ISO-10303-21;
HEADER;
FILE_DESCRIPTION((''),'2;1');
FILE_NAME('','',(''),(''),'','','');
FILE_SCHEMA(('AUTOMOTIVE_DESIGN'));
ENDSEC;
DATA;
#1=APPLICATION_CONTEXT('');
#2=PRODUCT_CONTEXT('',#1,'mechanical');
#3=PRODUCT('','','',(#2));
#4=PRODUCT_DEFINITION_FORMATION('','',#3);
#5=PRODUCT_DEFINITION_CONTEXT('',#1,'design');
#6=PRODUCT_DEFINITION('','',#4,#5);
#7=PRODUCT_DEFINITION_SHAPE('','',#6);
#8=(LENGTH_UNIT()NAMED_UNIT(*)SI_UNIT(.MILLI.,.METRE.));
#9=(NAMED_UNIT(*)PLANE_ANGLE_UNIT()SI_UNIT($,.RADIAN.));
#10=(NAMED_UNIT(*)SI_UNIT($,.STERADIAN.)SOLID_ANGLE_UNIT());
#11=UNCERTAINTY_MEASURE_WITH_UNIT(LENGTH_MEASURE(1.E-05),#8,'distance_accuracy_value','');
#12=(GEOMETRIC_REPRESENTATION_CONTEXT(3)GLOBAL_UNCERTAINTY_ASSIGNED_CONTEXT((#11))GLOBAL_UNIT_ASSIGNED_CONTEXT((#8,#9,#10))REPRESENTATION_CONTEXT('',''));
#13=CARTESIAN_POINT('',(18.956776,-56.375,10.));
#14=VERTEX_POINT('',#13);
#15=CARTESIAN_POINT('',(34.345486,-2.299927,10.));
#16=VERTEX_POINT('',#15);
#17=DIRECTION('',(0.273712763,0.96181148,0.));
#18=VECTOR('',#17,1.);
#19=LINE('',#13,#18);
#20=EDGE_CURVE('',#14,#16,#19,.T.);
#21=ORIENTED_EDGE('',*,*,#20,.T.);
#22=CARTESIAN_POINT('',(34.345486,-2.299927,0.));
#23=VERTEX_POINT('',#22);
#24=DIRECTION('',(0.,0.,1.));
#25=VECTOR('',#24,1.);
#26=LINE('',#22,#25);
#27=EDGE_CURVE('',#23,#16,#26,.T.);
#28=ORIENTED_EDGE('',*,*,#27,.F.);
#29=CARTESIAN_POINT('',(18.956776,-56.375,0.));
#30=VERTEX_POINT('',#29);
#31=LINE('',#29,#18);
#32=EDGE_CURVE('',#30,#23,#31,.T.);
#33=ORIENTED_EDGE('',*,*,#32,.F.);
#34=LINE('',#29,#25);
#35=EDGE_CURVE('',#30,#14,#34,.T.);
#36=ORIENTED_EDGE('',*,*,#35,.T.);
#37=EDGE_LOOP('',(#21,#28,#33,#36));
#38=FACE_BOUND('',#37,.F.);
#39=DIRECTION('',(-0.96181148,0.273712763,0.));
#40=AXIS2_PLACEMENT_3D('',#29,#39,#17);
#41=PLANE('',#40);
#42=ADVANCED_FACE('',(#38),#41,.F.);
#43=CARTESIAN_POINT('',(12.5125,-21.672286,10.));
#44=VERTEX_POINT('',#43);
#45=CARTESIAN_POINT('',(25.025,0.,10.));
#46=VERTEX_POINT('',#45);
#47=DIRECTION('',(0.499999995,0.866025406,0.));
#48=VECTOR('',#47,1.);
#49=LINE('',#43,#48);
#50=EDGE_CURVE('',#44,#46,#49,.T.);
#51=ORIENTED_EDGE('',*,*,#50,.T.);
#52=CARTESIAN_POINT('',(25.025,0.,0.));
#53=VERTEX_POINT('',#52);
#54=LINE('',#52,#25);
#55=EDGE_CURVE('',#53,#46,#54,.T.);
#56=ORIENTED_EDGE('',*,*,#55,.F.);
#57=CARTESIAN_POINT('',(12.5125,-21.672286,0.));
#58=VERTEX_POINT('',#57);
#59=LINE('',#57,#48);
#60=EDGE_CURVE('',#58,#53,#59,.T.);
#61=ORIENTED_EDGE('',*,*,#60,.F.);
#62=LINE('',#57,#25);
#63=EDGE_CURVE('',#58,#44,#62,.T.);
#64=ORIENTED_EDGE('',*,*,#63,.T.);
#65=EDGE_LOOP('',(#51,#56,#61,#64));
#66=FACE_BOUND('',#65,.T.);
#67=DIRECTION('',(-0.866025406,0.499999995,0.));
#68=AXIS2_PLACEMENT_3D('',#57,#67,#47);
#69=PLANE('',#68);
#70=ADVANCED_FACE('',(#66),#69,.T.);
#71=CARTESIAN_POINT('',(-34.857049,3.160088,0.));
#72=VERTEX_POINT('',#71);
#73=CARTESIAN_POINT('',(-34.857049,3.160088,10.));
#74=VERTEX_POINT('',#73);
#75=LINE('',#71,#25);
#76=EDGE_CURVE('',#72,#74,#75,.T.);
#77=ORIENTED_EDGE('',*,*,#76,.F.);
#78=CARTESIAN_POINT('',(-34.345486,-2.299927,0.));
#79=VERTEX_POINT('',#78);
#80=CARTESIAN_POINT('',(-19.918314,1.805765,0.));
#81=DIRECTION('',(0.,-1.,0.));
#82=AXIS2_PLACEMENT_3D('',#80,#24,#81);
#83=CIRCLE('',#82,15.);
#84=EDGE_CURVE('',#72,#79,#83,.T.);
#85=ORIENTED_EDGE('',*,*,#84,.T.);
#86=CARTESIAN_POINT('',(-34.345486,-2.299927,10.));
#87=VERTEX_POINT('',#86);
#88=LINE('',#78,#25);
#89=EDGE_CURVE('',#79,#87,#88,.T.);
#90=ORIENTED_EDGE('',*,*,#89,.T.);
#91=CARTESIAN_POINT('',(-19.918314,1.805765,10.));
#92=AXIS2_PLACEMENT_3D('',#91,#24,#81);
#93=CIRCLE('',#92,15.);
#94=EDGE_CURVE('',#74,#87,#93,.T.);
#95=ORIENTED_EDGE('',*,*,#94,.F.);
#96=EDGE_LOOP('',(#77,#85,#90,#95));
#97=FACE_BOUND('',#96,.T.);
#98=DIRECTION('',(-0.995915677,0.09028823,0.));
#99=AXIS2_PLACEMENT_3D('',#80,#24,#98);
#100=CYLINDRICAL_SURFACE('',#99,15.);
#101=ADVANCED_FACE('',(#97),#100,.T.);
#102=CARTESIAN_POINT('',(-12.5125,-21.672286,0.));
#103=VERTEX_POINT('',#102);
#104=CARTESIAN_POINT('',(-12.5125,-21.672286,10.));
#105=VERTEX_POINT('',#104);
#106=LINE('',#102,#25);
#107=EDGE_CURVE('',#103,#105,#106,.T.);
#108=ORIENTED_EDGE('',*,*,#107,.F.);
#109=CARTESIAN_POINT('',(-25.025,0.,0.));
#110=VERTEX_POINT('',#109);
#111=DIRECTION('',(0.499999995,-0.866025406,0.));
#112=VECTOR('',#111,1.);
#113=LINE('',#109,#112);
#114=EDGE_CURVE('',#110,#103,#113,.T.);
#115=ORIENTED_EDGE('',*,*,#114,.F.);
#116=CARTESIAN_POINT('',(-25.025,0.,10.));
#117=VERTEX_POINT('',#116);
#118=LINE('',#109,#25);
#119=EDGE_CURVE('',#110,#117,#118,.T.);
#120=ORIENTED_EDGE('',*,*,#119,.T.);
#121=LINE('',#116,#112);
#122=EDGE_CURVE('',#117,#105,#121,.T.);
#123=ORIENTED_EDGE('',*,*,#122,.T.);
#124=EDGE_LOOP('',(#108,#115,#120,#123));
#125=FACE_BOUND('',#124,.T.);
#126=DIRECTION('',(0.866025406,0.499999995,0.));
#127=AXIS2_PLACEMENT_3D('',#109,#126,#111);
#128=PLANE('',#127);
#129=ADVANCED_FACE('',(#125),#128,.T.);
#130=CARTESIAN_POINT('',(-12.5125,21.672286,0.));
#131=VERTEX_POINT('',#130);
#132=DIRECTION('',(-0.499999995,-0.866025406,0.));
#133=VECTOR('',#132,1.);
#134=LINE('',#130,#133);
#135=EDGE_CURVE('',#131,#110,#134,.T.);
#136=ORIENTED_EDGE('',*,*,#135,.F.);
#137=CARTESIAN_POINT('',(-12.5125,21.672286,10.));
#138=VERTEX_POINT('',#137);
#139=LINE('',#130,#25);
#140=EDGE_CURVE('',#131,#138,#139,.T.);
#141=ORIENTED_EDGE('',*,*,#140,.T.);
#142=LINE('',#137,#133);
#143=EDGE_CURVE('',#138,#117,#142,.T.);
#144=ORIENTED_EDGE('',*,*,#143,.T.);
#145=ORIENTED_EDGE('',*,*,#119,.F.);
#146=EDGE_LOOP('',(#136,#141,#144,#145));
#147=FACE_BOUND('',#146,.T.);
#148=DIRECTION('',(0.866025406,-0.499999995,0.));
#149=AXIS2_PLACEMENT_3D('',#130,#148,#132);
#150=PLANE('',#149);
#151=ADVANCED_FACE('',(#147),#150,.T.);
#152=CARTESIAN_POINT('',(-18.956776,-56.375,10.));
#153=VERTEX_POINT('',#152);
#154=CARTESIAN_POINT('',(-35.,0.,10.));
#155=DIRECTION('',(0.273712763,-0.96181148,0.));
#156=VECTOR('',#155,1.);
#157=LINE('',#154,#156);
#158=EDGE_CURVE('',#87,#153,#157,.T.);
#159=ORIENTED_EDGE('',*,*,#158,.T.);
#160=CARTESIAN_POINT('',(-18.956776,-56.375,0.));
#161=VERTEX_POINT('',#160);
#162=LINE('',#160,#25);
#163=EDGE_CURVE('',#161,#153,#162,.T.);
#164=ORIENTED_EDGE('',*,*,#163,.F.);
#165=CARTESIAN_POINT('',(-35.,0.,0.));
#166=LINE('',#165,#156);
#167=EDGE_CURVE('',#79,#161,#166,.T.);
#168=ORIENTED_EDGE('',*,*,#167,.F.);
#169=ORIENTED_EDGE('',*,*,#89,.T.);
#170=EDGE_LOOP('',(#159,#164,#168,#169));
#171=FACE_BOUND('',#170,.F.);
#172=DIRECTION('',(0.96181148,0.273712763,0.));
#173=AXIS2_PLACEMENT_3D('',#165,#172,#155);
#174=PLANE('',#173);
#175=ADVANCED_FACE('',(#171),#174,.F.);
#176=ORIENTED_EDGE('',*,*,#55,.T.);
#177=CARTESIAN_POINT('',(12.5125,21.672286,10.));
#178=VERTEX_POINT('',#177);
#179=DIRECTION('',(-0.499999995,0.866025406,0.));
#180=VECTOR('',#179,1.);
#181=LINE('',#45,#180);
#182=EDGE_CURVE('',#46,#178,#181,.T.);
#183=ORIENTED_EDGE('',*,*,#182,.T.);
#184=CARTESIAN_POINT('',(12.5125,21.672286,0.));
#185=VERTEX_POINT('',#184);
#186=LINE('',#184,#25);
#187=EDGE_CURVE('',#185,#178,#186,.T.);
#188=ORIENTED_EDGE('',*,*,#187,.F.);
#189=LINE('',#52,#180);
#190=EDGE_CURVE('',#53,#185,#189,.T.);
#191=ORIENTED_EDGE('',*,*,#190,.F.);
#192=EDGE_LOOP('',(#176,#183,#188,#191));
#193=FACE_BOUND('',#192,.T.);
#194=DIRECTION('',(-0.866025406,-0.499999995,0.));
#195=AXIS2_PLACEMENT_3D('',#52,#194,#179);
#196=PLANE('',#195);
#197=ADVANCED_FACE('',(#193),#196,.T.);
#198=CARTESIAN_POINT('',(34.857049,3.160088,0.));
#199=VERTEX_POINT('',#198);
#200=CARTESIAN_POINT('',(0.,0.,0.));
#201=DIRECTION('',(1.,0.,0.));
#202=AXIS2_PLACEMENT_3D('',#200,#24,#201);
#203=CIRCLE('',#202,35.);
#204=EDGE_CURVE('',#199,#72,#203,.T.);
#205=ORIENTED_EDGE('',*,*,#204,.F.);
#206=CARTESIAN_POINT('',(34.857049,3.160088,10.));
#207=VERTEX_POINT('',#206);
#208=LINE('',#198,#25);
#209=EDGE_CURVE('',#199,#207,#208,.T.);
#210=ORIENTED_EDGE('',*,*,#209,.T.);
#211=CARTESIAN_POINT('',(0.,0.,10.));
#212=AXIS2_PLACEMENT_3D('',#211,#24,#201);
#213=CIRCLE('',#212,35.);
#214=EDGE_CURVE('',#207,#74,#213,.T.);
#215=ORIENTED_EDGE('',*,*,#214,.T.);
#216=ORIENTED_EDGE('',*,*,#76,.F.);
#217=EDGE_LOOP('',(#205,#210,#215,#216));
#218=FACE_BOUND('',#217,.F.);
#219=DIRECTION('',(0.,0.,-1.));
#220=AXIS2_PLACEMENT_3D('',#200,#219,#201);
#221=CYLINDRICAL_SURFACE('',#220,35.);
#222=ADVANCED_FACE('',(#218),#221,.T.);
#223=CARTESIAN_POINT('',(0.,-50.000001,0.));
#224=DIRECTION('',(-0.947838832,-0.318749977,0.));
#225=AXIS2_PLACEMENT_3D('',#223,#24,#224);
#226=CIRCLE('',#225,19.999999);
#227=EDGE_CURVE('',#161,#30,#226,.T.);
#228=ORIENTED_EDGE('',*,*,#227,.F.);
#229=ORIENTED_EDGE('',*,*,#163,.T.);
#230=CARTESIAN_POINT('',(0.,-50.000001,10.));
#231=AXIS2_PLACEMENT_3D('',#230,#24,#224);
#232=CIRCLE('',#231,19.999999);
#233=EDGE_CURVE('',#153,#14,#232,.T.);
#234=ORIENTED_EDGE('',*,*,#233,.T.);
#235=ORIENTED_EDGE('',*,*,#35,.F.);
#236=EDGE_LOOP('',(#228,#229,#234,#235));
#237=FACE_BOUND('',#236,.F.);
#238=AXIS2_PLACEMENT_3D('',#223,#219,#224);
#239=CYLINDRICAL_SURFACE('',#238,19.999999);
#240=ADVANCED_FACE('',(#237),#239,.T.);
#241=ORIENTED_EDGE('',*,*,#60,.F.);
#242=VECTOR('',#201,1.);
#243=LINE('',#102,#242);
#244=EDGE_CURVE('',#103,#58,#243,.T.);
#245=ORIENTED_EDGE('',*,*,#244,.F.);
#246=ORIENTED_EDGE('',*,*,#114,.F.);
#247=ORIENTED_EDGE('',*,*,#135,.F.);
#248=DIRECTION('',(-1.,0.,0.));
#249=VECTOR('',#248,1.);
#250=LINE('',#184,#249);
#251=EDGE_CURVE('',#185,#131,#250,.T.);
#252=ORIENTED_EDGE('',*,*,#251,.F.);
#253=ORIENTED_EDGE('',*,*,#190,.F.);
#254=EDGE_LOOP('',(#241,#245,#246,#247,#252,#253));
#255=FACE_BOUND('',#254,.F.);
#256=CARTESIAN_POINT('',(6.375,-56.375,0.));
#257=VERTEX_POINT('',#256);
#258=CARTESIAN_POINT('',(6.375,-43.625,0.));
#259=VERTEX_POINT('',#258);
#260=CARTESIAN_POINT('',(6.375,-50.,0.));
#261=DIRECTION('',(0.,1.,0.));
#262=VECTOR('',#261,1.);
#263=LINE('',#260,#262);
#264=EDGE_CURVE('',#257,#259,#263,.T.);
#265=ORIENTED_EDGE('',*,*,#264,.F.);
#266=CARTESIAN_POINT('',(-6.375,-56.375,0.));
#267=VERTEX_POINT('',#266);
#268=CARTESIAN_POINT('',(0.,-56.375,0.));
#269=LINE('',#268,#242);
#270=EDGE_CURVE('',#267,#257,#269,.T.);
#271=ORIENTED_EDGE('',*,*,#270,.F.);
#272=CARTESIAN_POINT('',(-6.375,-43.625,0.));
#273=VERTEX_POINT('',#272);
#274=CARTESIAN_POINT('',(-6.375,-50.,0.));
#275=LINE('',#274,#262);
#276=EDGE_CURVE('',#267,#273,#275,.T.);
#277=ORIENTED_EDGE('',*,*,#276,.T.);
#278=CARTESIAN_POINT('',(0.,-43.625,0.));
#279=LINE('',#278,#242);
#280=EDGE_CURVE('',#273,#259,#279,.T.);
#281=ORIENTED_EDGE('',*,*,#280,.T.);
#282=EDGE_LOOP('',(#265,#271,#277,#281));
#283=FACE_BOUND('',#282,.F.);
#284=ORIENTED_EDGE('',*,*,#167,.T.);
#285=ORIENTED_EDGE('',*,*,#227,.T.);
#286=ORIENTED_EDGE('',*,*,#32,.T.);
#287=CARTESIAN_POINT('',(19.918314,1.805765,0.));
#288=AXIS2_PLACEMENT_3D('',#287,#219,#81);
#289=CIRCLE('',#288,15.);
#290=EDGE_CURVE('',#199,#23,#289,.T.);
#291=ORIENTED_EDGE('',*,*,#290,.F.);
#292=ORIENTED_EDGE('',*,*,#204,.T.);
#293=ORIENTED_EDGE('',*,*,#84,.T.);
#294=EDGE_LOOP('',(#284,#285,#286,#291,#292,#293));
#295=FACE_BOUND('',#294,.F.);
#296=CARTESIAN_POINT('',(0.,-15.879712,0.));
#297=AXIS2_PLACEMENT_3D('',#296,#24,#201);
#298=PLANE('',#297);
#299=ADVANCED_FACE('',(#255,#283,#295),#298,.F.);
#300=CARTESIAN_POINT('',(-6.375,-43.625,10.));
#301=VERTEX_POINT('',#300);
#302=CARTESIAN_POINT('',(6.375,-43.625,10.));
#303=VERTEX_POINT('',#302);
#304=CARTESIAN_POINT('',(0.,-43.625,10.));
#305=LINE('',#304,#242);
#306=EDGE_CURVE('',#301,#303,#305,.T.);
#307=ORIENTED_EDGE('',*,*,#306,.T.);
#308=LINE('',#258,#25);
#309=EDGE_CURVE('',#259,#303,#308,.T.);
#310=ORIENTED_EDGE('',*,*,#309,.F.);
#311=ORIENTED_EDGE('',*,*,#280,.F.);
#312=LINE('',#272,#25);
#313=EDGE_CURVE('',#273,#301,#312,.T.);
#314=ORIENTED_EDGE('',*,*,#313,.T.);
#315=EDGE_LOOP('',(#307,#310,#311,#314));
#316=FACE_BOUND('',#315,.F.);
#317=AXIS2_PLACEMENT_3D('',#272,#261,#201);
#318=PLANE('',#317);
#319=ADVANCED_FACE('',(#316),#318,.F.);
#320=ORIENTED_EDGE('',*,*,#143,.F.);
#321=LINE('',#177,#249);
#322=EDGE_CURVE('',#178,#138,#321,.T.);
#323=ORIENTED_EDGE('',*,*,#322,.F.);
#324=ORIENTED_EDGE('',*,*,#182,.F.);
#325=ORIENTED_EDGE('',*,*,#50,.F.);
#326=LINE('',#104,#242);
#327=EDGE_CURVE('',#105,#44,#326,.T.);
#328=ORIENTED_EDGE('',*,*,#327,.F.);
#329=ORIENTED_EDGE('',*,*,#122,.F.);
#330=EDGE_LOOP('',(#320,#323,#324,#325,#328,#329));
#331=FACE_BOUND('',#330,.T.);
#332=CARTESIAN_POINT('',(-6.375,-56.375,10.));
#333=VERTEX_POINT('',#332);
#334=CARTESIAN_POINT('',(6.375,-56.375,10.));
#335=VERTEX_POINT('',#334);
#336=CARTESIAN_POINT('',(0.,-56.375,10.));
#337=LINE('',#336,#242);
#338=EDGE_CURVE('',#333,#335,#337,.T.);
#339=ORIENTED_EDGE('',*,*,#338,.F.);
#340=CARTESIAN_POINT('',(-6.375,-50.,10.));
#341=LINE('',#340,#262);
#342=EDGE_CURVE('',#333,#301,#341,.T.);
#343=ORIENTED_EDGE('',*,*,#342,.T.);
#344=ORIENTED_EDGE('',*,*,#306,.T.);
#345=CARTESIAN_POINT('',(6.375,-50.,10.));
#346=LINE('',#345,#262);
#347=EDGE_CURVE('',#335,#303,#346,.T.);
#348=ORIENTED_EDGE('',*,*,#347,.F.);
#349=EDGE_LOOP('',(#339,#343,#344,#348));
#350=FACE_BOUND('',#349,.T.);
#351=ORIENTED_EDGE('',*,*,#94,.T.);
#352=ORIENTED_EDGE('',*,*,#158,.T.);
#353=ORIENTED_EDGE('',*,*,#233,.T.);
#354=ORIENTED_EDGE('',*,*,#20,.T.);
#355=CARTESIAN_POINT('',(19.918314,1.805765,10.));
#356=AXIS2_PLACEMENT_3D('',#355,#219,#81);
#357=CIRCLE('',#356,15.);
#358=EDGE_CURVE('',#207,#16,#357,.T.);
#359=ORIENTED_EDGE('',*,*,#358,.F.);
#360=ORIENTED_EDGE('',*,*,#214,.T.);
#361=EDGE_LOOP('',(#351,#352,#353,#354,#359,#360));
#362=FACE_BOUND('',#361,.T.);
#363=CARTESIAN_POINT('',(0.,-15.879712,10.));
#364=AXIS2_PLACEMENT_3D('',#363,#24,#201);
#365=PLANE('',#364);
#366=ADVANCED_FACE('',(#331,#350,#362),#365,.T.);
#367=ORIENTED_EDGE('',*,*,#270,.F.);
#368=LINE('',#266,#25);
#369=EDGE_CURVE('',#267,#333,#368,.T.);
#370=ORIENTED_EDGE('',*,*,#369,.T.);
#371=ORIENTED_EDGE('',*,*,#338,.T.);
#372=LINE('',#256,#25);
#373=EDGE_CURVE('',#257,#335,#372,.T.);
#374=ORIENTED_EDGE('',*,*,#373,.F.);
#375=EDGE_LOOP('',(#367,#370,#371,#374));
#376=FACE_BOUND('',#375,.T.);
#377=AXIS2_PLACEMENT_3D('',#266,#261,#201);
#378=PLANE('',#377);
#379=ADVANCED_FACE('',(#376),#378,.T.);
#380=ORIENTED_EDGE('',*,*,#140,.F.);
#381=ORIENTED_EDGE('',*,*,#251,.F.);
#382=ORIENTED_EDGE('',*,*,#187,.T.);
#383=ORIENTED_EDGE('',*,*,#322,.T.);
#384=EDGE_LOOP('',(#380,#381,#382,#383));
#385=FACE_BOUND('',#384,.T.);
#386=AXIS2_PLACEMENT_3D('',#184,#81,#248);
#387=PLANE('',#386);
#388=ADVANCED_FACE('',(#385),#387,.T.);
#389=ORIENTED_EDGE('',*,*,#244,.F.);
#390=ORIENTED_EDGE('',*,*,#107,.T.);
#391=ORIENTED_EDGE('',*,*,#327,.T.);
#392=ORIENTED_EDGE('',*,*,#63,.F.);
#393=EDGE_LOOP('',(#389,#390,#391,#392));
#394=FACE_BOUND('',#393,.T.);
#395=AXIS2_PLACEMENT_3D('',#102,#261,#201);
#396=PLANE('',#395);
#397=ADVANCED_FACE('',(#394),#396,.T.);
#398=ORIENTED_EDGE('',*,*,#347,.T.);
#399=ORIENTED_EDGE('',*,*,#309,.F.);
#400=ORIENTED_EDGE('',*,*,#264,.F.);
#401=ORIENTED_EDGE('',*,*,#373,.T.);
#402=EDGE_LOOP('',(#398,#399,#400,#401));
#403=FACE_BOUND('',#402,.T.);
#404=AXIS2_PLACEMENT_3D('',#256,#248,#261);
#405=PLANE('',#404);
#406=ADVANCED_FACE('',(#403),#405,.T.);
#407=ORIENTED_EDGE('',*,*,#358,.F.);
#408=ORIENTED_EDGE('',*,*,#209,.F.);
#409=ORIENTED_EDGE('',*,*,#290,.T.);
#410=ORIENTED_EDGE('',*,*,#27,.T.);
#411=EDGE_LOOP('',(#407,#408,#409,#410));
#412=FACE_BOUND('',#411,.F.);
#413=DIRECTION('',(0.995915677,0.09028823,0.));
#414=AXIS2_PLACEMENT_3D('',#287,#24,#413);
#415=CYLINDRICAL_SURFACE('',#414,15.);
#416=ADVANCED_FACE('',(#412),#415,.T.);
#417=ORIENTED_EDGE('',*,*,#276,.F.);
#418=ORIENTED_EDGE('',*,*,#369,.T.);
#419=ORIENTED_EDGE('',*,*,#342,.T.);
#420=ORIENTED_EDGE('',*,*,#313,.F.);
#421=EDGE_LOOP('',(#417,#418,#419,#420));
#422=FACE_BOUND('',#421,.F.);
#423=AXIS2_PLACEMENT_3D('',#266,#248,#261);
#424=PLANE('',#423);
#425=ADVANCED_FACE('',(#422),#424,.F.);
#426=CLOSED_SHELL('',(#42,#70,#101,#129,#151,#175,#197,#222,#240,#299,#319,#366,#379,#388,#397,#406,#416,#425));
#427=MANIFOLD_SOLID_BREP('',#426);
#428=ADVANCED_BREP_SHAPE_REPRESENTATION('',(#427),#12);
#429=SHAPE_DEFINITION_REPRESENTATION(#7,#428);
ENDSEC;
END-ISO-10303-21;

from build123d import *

# Parameters (mm, degrees)
SKETCH_W  = 12.75
SKETCH_H  = 12.75
PAD_DEPTH = 10
FILLET_R  = 15


with BuildPart() as part:
    # Sketch → Pad (new body)
    with BuildSketch(Plane.XY):
        with BuildLine():
            ThreePointArc((35, 0), (0, 35), (-35, 0))
            Line((-35, 0), (-18.956776, -56.375))
            ThreePointArc((-18.956776, -56.375), (0, -70), (18.956776, -56.375))
            Line((18.956776, -56.375), (35, 0))
        make_face()
        Polygon((-25.025, 0), (-12.5125, -21.672286), (12.5125, -21.672286), (25.025, 0), (12.5125, 21.672286), (-12.5125, 21.672286), align=None, mode=Mode.SUBTRACT)
        with Locations((0, -50)):
            Rectangle(SKETCH_W, SKETCH_H, mode=Mode.SUBTRACT)
    extrude(amount=PAD_DEPTH)

    # Fillet
    fillet_edges = [part.edges().sort_by_distance(p)[0] for p in [
        (-35, 0, 5),
        (-18.956776, -56.375, 5),
        (18.956776, -56.375, 5),
        (35, 0, 5),
    ]]
    fillet(fillet_edges, radius=FILLET_R)


solid = part.part
